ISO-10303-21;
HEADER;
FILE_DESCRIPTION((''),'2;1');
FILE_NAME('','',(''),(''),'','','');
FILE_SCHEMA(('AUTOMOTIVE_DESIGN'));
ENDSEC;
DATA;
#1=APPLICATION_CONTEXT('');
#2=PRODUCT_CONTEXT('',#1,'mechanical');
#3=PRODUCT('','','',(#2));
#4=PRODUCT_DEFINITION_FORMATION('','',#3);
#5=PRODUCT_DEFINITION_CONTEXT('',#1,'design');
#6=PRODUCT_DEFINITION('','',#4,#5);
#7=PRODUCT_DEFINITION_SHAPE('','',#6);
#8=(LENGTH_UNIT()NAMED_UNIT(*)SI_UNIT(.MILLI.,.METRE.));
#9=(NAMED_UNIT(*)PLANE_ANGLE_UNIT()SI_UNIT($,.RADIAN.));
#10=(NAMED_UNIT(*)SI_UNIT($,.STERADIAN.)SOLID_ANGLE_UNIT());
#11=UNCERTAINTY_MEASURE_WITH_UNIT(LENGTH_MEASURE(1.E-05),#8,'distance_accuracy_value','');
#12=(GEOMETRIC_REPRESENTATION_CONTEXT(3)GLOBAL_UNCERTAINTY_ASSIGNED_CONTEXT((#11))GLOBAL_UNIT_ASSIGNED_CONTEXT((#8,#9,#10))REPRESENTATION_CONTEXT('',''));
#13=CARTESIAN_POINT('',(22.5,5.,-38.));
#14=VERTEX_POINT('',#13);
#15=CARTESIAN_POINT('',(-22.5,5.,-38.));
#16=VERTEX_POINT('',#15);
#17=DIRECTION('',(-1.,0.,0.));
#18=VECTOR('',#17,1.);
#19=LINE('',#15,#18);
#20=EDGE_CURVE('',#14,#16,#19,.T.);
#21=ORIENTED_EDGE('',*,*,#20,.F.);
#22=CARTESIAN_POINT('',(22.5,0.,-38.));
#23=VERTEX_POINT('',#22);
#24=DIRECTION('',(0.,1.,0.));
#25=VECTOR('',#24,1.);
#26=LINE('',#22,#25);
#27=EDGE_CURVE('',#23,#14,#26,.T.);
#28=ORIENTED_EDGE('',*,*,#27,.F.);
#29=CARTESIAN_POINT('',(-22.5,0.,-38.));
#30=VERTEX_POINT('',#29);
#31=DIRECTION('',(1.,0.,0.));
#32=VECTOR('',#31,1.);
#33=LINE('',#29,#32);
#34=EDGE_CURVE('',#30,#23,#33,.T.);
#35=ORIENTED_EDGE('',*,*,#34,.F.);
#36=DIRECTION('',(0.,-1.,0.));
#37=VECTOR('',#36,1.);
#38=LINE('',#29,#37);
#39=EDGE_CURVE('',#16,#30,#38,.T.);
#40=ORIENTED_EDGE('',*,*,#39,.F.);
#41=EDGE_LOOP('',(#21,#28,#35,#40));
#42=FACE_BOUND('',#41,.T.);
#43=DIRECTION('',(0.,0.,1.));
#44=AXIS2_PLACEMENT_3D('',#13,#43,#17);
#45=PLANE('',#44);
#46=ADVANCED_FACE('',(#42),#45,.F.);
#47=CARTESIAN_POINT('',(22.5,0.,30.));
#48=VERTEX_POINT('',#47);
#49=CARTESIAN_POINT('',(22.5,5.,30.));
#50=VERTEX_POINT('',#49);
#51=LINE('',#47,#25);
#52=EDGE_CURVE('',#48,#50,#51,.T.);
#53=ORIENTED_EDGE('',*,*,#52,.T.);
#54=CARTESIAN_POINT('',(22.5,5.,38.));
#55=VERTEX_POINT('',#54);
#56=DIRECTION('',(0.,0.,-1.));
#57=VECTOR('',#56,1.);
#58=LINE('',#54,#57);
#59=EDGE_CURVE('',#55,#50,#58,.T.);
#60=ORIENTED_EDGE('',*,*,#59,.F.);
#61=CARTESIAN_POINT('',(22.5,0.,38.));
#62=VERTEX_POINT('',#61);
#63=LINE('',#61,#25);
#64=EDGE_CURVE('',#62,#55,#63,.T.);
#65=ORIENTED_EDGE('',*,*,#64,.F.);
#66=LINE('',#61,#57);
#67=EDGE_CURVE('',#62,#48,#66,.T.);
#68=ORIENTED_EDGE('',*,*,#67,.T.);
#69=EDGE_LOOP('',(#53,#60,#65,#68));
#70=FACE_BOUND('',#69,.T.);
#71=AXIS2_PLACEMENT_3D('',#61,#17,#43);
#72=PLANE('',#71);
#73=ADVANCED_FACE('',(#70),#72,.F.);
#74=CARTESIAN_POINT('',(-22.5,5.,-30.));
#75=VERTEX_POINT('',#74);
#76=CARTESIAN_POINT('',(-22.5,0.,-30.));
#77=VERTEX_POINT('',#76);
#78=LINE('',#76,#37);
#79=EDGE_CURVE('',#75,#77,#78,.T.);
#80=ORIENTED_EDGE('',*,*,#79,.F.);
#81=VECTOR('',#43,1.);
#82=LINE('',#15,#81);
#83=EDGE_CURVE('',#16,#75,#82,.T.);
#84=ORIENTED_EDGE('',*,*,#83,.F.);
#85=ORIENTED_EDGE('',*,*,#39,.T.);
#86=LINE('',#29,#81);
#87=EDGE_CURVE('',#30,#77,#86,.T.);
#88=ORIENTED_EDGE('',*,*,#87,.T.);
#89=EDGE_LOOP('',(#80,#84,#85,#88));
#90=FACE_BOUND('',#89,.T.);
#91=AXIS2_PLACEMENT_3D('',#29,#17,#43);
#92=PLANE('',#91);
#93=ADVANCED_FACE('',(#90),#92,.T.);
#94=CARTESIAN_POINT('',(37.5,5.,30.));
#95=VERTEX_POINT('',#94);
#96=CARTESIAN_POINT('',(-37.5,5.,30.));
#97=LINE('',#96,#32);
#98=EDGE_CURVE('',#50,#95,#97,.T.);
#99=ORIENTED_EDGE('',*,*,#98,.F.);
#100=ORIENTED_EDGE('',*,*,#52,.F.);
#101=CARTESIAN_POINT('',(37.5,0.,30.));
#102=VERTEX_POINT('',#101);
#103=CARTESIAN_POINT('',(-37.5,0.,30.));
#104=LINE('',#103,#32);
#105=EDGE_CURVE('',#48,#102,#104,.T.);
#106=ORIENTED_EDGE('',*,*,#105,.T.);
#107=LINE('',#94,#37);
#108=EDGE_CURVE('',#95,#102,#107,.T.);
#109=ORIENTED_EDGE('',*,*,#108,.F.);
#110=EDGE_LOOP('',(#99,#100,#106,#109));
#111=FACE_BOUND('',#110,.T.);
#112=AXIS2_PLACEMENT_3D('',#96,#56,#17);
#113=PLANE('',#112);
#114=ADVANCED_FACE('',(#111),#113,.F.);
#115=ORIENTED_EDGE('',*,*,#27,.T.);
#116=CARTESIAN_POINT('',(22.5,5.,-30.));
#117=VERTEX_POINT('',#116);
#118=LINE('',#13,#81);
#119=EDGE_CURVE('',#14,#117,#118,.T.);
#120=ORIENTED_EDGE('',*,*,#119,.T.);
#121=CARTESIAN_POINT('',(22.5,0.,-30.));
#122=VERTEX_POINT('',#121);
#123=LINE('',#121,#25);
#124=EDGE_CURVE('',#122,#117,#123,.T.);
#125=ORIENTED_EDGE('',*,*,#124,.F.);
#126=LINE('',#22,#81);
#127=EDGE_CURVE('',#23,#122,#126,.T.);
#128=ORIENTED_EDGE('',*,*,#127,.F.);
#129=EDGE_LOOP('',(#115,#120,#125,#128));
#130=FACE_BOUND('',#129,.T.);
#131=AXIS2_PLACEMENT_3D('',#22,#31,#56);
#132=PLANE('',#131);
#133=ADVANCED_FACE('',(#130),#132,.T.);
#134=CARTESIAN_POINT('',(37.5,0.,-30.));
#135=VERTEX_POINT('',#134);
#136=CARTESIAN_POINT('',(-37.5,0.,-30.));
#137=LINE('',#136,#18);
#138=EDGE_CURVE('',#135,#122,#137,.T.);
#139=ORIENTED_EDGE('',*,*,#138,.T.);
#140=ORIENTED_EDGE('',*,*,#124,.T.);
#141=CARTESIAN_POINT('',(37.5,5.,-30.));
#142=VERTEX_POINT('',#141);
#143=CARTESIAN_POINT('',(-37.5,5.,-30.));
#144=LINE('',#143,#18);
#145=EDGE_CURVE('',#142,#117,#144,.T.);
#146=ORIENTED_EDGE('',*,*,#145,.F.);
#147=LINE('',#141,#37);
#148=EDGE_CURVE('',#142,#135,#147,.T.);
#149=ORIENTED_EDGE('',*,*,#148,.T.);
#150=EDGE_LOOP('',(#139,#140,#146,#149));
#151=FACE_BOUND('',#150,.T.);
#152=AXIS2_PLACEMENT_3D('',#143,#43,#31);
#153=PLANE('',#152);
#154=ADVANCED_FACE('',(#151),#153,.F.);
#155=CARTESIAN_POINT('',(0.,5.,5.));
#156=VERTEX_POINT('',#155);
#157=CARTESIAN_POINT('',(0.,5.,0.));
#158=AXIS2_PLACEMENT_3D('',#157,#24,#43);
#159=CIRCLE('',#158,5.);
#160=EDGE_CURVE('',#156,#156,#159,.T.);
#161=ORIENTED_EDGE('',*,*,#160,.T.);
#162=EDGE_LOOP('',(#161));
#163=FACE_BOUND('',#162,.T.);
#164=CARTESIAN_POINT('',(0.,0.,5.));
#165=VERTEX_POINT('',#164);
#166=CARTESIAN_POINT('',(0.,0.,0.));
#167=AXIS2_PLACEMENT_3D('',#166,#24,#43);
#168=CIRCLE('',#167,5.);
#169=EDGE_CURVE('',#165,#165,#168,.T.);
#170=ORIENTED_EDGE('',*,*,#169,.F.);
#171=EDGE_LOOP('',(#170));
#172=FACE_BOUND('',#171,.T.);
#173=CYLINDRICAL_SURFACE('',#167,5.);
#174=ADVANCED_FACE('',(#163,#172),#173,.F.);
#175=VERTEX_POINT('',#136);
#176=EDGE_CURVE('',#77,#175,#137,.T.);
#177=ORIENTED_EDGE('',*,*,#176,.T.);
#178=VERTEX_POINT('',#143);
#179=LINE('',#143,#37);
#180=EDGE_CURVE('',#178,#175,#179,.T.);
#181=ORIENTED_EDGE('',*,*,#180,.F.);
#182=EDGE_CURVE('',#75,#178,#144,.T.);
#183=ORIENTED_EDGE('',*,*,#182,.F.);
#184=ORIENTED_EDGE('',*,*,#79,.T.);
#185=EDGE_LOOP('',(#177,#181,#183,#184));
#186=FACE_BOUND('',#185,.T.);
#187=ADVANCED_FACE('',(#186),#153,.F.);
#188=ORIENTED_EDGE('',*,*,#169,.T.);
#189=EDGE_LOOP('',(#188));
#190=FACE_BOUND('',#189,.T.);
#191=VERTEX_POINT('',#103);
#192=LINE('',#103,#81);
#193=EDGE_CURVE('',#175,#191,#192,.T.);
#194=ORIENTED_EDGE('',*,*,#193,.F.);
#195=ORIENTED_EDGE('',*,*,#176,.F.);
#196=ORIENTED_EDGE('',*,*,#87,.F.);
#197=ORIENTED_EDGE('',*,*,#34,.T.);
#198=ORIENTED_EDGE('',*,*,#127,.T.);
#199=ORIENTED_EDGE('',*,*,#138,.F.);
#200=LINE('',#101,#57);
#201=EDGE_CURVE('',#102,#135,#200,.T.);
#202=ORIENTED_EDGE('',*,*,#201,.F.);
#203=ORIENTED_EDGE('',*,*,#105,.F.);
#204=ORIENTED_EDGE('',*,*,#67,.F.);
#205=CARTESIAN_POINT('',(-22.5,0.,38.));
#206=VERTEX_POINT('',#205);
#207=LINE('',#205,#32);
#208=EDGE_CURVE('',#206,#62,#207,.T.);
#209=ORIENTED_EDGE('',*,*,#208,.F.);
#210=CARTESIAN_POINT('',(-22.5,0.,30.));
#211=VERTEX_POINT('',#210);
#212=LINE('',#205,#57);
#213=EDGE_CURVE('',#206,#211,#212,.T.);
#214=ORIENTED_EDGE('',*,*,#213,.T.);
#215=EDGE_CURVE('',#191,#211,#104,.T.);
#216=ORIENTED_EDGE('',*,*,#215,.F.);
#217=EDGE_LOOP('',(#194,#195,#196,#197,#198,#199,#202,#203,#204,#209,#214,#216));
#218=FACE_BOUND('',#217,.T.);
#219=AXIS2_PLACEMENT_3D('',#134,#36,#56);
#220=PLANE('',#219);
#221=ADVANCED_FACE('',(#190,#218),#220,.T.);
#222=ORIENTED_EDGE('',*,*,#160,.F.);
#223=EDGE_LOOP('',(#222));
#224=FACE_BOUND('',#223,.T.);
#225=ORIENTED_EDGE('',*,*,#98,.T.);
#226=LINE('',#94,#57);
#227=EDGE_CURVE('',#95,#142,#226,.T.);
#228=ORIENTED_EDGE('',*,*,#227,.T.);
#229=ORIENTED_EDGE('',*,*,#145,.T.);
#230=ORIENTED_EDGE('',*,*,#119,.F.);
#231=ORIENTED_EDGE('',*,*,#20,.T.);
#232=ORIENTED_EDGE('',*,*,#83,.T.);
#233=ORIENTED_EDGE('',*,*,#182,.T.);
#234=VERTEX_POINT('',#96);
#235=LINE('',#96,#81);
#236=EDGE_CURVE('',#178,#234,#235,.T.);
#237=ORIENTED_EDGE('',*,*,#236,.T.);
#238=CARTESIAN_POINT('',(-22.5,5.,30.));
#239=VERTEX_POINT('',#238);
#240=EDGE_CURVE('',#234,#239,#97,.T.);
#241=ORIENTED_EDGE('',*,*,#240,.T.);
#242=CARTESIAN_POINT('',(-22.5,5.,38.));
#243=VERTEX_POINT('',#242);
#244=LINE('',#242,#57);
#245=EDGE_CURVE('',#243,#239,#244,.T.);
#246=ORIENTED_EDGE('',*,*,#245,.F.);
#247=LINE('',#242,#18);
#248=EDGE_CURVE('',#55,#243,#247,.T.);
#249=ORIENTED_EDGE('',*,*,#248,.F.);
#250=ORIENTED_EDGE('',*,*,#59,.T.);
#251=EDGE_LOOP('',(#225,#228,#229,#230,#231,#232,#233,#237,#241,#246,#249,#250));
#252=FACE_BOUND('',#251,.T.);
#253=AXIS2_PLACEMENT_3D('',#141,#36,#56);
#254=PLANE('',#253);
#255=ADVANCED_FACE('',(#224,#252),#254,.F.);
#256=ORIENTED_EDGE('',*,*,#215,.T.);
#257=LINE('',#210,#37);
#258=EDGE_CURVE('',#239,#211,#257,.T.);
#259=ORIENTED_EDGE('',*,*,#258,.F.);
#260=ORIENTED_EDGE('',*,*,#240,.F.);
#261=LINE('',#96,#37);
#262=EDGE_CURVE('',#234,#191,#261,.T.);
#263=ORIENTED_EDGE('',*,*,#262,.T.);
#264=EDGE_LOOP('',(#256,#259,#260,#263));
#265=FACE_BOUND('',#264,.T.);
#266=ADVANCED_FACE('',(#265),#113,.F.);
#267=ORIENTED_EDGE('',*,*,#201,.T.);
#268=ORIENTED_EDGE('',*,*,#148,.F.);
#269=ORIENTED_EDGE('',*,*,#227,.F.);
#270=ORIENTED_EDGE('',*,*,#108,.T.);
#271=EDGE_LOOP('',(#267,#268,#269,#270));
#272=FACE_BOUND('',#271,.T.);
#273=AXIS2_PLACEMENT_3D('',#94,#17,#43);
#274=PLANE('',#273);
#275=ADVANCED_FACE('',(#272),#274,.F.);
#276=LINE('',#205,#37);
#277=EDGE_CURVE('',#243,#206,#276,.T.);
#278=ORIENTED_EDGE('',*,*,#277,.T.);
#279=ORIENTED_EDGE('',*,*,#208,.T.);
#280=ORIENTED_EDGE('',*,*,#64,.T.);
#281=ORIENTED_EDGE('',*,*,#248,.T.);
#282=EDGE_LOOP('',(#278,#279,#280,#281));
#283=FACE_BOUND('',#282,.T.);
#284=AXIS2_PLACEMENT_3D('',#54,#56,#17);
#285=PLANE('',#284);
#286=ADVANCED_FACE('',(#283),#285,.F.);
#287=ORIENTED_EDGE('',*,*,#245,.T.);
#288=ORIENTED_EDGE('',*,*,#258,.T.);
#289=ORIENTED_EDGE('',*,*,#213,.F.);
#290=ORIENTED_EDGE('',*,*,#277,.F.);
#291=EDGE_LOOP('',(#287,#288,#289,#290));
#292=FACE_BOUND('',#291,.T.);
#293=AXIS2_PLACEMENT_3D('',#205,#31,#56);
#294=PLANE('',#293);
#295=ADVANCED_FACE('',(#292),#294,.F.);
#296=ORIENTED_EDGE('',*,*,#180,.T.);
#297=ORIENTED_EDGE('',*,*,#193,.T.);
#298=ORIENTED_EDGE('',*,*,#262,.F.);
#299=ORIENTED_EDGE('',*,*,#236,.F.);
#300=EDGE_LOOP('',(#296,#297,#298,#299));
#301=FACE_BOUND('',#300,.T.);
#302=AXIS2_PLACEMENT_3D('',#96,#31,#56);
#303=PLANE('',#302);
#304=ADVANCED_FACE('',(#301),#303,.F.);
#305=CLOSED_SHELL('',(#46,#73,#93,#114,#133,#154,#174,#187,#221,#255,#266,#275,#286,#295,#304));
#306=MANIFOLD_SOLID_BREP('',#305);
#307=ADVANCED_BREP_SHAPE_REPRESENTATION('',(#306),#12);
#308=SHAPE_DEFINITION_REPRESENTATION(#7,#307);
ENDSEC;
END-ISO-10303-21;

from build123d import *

# Parameters (mm, degrees)
SCHIZZO1_W                   = 75
SCHIZZO1_H                   = 60
ESTRUSIONE_ESTRUSIONE1_DEPTH = 5
SCHIZZO2_R                   = 5
TAGLIO_ESTRUSIONE1_DEPTH     = 49.28301979
SCHIZZO3_W                   = 45
SCHIZZO3_H                   = 5
ESTRUSIONE_ESTRUSIONE2_DEPTH = 8


with BuildPart() as part:
    # Schizzo1 → Estrusione-Estrusione1 (new body)
    with BuildSketch(Plane(origin=(0, 0, 0), x_dir=(1, 0, 0), z_dir=(0, 1, 0))):
        Rectangle(SCHIZZO1_W, SCHIZZO1_H)
    extrude(amount=ESTRUSIONE_ESTRUSIONE1_DEPTH)

    # Schizzo2 → Taglio-Estrusione1 (cut, through all)
    with BuildSketch(Plane(origin=(0, 5, 0), x_dir=(-1, 0, 0), z_dir=(0, 1, 0))):
        with Locations(Location((0, 0, 0), (0, 0, 90))):
            Circle(SCHIZZO2_R)
    extrude(amount=-TAGLIO_ESTRUSIONE1_DEPTH, mode=Mode.SUBTRACT)

    # Schizzo3 → Estrusione-Estrusione2 (add)
    with BuildSketch(Plane.XY.offset(30)):
        with Locations((0, 2.5)):
            Rectangle(SCHIZZO3_W, SCHIZZO3_H)
    estrusione_estrusione2 = extrude(amount=ESTRUSIONE_ESTRUSIONE2_DEPTH)

    # Specchia1: Estrusione-Estrusione2 across plane
    add(estrusione_estrusione2.mirror(Plane.XY))


solid = part.part
